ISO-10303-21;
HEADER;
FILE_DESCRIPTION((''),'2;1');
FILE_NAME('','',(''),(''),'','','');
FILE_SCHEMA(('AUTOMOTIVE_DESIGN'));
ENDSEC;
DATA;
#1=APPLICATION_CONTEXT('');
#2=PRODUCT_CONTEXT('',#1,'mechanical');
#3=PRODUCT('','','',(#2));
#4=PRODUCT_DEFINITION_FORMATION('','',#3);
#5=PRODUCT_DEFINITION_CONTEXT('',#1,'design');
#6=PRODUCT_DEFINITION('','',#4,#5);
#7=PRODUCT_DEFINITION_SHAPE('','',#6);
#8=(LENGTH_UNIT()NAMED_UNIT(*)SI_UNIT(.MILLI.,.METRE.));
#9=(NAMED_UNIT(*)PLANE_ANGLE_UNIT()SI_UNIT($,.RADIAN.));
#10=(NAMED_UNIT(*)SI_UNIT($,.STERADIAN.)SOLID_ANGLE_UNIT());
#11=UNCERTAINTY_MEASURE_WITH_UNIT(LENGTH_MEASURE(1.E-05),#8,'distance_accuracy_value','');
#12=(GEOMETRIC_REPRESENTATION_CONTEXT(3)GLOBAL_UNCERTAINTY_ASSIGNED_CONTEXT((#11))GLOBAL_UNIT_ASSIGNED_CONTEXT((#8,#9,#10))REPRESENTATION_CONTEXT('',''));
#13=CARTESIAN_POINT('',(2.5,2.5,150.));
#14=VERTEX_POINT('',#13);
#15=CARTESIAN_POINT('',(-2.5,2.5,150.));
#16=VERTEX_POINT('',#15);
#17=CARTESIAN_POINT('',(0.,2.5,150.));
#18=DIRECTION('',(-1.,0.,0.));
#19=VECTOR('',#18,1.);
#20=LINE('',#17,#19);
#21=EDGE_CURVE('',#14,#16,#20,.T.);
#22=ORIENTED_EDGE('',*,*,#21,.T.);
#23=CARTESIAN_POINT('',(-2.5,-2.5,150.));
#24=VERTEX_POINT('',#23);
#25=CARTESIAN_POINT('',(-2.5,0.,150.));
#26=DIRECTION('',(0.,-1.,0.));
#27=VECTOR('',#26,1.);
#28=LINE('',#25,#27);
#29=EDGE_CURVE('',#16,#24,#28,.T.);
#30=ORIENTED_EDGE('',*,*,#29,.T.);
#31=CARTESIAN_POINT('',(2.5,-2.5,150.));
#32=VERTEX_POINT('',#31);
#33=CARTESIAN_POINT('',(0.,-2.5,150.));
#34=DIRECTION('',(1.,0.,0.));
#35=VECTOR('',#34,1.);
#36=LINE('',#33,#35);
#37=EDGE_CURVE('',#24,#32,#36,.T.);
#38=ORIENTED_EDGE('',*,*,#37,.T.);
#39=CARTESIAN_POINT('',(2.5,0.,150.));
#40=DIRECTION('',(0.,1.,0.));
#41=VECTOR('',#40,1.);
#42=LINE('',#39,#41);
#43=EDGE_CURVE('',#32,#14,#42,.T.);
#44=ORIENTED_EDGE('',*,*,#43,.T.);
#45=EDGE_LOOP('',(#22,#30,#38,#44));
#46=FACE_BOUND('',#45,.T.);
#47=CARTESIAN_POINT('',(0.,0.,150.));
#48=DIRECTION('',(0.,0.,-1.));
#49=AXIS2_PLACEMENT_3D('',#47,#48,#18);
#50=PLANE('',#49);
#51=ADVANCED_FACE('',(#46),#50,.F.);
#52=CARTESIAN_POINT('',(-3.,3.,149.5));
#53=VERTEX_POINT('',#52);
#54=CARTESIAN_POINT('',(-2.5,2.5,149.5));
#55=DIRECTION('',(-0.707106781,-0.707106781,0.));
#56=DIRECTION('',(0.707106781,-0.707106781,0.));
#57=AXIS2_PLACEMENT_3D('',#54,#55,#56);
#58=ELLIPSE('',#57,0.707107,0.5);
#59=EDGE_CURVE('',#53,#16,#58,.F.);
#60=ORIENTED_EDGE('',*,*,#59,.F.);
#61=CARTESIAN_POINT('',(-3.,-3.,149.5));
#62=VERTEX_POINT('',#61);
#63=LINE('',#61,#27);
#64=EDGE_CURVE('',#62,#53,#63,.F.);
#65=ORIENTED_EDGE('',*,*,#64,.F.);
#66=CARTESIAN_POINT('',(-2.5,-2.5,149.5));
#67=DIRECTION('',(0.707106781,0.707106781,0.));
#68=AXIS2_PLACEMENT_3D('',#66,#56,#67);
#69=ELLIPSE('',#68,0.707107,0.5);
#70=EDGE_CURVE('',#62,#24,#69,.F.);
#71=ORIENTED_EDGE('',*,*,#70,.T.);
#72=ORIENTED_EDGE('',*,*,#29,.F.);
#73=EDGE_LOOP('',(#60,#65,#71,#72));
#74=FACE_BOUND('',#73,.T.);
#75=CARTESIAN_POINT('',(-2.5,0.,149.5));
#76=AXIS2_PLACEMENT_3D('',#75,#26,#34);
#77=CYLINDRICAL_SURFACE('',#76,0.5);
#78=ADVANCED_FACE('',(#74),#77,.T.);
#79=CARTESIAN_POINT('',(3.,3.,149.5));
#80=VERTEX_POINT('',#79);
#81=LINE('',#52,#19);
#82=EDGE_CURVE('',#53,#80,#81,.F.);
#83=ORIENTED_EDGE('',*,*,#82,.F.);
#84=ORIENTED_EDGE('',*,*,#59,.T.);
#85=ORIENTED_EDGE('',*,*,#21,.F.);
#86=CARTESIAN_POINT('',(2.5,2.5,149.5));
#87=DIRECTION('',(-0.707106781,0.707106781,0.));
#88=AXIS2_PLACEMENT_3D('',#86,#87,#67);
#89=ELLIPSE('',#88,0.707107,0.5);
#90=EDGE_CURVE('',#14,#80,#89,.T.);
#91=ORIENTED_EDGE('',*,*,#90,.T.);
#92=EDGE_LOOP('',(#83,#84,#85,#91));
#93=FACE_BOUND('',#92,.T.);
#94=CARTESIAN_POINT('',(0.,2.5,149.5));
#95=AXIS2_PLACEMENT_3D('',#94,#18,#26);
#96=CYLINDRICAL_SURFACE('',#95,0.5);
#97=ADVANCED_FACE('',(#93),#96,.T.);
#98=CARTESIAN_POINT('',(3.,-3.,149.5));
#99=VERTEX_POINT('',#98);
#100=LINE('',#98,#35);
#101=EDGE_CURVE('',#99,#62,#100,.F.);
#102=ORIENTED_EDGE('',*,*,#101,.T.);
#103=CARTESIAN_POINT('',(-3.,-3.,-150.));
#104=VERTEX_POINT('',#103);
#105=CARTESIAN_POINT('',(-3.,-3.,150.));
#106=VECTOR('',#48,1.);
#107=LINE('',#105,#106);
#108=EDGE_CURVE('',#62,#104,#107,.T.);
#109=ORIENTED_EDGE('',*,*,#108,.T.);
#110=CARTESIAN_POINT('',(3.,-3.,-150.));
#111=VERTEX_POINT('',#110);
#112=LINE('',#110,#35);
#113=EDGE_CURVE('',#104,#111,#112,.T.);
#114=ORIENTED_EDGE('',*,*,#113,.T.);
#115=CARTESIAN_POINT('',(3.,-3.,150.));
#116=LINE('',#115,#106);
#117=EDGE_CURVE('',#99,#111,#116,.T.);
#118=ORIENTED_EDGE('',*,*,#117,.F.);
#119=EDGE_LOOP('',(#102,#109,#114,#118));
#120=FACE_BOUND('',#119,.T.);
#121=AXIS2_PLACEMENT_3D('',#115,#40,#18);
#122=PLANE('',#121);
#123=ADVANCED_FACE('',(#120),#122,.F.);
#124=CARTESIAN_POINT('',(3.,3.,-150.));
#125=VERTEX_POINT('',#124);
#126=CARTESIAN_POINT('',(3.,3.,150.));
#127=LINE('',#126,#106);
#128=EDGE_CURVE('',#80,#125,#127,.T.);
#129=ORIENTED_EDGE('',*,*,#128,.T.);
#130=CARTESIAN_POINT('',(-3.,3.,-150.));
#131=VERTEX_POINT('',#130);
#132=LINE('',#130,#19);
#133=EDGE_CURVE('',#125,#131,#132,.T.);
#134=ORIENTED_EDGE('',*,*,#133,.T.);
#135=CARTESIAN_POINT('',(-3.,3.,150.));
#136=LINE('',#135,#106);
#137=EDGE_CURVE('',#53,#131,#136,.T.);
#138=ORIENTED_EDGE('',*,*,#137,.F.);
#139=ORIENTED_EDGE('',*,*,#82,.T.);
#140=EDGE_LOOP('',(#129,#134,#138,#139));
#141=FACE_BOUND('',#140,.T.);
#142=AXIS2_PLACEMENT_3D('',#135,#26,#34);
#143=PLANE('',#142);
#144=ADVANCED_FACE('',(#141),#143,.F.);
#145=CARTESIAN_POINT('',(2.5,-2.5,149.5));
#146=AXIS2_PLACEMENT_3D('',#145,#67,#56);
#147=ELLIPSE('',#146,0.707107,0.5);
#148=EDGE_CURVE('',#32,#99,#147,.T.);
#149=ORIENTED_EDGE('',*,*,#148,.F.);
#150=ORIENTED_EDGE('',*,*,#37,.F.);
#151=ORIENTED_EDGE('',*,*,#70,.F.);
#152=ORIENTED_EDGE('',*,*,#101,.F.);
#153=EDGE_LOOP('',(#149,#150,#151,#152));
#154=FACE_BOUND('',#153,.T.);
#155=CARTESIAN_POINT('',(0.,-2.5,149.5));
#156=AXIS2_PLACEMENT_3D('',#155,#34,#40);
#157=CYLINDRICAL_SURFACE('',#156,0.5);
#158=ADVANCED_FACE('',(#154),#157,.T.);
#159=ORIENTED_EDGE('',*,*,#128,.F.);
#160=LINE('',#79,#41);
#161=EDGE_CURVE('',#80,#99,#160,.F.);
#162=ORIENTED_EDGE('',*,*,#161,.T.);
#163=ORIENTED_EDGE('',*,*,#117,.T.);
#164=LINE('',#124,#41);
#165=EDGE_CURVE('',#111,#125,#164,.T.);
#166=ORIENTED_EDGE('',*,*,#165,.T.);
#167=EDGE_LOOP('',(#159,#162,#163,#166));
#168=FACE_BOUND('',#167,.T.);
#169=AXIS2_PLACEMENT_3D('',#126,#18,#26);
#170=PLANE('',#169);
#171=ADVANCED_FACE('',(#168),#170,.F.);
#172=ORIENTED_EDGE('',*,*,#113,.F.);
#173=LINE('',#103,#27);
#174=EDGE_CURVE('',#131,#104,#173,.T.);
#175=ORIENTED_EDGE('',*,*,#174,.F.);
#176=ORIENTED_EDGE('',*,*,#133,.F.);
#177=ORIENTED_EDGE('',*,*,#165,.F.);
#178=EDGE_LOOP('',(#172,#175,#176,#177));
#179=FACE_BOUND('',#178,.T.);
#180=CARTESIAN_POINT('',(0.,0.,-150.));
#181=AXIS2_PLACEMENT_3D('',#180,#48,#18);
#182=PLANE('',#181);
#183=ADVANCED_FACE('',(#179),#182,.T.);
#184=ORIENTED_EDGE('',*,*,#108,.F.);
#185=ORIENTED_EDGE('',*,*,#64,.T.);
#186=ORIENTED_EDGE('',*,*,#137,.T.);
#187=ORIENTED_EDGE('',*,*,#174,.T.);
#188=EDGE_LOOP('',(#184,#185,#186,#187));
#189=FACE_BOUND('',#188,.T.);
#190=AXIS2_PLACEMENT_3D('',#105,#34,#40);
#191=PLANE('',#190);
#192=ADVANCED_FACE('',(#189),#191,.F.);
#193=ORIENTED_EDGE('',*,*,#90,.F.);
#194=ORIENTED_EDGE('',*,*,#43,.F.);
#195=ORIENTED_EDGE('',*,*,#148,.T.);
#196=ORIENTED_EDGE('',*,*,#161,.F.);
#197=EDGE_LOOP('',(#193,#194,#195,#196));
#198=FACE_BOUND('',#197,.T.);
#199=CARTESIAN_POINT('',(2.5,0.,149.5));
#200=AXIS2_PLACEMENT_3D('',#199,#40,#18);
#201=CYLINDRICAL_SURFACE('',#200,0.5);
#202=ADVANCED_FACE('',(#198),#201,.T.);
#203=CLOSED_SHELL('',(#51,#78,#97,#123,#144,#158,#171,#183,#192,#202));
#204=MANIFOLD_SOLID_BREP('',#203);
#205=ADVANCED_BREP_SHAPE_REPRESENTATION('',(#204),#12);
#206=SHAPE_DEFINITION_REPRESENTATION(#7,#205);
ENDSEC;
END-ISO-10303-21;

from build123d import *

# Parameters (mm, degrees)
SKETCH3_W           = 6
SKETCH3_H           = 6
BOSS_EXTRUDE1_DEPTH = 150
FILLET1_R           = 0.5


with BuildPart() as part:
    # Sketch3 → Boss-Extrude1 (new, symmetric)
    with BuildSketch(Plane.XY):
        Rectangle(SKETCH3_W, SKETCH3_H)
    extrude(amount=BOSS_EXTRUDE1_DEPTH, both=True)

    # Fillet1
    fillet1_edges = [part.edges().sort_by_distance(p)[0] for p in [
        (3, 0, 150),
        (0, 3, 150),
        (-3, 0, 150),
        (0, -3, 150),
    ]]
    fillet(fillet1_edges, radius=FILLET1_R)


solid = part.part
